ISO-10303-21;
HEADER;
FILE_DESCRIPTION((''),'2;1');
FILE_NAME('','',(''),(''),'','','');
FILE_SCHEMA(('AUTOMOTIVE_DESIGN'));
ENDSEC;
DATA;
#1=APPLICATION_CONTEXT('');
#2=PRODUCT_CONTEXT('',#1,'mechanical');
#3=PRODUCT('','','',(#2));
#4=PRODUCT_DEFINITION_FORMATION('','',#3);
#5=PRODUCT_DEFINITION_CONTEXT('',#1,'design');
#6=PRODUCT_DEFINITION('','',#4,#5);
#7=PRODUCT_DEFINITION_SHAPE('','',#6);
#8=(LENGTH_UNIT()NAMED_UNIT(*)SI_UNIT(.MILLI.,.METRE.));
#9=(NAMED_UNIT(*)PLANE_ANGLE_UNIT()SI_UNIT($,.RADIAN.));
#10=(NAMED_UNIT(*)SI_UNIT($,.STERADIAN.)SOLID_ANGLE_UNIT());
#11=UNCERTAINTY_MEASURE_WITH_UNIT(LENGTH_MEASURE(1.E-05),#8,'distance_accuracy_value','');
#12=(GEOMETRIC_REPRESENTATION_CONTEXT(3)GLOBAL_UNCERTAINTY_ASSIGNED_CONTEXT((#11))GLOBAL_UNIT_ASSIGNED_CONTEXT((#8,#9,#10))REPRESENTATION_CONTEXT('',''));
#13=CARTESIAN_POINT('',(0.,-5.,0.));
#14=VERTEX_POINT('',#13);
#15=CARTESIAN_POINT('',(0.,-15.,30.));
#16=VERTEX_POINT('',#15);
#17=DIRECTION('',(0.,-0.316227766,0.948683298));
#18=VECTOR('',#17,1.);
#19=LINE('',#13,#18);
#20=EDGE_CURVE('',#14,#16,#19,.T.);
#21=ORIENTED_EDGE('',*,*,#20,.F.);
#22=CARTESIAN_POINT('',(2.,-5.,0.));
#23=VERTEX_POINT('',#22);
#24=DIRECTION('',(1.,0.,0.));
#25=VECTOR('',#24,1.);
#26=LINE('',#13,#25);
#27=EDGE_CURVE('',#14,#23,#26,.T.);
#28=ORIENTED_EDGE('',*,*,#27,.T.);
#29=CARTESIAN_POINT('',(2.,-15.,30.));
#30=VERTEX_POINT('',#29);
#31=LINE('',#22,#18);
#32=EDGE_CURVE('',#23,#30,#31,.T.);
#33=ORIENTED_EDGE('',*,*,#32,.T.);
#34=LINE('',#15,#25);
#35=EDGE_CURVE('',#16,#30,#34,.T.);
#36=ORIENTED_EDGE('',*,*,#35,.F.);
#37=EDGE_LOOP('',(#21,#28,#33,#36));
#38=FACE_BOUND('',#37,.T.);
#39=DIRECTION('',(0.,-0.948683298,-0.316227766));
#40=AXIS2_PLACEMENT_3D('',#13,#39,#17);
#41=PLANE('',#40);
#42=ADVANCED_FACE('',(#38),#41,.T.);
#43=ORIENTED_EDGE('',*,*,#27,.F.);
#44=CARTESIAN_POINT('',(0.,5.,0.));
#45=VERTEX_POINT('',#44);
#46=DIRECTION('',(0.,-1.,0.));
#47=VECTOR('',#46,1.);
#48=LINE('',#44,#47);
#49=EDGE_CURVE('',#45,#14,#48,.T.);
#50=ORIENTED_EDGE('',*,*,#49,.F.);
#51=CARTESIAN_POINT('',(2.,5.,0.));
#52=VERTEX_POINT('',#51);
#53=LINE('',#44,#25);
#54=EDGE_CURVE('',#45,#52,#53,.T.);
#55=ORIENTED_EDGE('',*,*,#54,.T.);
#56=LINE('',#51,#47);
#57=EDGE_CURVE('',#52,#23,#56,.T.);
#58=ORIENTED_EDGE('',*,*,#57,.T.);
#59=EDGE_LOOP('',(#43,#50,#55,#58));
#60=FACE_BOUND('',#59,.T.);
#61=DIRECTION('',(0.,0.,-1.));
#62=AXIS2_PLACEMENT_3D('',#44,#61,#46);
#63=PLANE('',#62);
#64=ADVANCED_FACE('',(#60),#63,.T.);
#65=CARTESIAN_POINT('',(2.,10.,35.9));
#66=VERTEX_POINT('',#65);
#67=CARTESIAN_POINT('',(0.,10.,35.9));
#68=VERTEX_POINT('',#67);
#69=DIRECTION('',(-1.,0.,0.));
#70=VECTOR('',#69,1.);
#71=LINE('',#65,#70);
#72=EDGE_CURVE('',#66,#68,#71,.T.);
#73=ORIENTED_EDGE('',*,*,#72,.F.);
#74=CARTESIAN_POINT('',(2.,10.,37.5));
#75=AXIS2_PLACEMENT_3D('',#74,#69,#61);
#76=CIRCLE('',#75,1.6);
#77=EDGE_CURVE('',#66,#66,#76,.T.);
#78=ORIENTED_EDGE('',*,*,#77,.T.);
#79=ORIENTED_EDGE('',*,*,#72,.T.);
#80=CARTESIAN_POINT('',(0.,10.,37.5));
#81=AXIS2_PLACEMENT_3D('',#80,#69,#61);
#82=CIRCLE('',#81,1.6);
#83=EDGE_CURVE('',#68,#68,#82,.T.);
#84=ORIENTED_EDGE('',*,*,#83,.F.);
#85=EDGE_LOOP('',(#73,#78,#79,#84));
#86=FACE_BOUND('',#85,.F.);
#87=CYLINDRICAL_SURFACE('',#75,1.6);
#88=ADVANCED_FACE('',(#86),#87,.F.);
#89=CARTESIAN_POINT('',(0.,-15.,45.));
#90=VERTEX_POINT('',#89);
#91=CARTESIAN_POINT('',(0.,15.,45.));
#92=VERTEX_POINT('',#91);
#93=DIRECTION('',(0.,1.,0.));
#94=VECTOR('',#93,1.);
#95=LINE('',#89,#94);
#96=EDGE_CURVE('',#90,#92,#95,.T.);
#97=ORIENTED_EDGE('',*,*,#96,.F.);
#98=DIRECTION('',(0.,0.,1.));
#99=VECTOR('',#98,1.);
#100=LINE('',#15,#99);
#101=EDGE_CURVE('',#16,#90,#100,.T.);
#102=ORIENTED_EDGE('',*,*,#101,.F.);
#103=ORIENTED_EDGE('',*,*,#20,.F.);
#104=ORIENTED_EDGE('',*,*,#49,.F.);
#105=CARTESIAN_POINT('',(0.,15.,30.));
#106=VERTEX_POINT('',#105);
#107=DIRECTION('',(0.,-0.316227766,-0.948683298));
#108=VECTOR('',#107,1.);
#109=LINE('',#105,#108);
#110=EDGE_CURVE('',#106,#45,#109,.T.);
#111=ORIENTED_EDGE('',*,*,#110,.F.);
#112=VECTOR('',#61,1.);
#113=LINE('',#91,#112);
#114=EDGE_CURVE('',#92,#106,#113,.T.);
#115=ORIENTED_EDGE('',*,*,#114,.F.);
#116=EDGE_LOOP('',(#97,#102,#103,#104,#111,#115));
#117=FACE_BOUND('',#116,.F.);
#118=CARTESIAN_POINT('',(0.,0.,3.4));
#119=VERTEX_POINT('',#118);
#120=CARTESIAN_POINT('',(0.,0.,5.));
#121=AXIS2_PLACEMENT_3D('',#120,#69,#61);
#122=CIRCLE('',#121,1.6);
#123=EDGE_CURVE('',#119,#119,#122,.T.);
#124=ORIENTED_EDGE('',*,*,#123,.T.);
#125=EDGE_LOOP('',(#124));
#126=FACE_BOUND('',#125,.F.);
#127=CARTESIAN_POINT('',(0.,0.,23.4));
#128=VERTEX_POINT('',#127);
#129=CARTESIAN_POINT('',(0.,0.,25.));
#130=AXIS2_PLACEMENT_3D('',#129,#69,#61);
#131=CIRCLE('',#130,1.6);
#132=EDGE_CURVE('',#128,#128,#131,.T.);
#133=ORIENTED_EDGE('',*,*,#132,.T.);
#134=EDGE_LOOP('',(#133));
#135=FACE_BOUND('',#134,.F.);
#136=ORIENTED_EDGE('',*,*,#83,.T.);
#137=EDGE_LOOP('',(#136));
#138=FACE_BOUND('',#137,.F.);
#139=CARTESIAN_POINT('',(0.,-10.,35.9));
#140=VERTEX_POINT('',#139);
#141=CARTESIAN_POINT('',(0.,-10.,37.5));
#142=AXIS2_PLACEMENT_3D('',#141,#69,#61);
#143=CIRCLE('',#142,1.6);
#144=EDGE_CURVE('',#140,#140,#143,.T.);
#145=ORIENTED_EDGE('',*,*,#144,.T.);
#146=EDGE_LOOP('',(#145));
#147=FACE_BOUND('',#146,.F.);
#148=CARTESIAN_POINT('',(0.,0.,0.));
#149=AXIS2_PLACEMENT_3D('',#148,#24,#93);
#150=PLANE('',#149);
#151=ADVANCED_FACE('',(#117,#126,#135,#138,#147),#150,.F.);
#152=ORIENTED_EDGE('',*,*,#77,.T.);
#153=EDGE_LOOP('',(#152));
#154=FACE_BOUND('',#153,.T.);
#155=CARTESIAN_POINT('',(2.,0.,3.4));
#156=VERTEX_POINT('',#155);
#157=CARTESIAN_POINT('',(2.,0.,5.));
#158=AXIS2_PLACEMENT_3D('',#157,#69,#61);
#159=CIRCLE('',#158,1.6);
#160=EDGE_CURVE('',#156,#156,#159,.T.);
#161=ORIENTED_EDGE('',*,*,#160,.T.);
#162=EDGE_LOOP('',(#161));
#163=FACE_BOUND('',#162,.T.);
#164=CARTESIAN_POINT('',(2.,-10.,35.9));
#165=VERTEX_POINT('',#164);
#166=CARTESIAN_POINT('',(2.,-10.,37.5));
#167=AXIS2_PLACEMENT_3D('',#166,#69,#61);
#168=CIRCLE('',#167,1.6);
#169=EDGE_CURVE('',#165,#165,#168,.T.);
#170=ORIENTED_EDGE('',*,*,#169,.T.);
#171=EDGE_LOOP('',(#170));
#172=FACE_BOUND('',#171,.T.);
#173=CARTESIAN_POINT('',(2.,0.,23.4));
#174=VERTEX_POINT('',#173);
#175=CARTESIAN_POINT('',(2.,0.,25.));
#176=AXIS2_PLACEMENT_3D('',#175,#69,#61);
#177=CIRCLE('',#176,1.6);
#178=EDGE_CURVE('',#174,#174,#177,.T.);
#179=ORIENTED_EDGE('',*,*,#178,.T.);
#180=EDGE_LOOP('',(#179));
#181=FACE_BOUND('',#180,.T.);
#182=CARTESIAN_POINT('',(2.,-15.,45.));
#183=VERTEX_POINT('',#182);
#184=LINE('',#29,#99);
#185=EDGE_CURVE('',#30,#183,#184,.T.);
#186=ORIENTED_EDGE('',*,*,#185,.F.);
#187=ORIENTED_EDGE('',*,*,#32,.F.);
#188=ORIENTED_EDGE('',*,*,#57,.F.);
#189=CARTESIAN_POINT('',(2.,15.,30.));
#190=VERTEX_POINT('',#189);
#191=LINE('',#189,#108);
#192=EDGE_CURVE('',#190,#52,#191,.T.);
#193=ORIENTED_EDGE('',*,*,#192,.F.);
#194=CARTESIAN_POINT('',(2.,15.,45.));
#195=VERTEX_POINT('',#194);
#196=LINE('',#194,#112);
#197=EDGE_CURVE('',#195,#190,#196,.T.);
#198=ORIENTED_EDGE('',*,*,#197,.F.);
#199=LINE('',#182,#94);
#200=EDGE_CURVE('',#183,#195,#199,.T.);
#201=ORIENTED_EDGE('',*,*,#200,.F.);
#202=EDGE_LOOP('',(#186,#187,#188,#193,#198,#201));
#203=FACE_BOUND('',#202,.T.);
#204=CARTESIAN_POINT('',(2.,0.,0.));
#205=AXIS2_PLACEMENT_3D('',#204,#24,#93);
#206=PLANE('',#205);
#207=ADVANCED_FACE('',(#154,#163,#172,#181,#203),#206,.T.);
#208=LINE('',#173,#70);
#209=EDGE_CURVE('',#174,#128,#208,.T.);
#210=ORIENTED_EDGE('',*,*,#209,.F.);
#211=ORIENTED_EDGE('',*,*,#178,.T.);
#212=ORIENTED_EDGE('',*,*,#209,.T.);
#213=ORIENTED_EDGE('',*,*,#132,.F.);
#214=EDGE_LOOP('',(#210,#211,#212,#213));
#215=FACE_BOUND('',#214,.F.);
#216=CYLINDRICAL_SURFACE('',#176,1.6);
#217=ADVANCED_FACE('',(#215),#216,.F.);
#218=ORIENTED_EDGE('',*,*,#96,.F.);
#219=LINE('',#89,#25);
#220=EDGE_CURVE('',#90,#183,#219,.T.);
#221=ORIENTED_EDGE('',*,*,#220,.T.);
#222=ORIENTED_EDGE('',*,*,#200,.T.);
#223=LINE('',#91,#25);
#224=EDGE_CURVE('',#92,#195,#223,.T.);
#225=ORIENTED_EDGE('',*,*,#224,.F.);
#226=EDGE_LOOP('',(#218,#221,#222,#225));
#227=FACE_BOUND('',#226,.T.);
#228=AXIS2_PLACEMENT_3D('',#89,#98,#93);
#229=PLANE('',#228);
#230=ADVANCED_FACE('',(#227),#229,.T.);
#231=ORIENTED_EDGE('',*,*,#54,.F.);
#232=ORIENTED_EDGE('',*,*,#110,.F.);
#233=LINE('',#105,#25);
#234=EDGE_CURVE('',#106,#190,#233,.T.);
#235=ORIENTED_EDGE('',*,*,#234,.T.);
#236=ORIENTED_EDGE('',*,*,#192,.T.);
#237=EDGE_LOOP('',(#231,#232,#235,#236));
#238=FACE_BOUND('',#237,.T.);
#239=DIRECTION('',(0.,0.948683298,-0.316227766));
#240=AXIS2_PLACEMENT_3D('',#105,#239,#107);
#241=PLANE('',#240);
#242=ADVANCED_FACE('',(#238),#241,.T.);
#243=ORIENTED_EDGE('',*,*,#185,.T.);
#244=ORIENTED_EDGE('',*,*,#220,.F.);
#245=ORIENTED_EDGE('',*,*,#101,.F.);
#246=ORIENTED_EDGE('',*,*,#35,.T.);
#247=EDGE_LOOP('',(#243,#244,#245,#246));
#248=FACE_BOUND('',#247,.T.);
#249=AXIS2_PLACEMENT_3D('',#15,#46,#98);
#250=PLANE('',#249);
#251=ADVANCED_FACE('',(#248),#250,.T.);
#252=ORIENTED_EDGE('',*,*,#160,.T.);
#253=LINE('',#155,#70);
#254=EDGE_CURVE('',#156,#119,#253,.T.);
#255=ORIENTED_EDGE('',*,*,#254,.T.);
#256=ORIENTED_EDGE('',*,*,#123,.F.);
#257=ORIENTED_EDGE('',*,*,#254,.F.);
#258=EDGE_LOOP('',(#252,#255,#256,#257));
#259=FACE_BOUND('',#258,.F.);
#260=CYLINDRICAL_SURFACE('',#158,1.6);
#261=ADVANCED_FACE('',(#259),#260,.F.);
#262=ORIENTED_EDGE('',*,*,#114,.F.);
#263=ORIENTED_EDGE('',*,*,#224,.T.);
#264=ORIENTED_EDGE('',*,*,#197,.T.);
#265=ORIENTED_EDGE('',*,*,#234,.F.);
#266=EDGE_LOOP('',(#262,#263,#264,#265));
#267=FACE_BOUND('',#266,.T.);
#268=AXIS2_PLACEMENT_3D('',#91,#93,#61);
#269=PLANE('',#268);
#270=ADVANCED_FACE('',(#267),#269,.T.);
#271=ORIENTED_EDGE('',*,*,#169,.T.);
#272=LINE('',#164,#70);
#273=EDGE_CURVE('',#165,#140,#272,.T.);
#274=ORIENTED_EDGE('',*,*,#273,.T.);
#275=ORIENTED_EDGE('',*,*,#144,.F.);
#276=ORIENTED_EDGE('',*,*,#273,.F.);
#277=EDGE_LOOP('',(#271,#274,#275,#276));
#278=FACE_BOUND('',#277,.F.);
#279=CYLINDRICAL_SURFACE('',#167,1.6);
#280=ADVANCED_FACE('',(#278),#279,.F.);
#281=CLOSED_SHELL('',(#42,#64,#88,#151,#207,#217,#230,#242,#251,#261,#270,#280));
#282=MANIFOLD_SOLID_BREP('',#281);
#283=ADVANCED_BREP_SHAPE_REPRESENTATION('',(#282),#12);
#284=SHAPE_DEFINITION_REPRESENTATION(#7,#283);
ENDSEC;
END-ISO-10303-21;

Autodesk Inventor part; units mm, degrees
ref_plane "YZ Plane" through (0, 0, 0) normal (1, 0, 0) x (0, 1, 0)
ref_plane "XZ Plane" through (0, 0, 0) normal (0, 1, 0) x (-1, 0, 0)
ref_plane "XY Plane" through (0, 0, 0) normal (0, 0, 1) x (1, 0, 0)
sketch "スケッチ1" plane through (0, 0, 0) normal (1, 0, 0) x (0, 1, 0)
  line L0 (-5, 30) -> (5, 30)
  line L1 (5, 30) -> (5, 0)
  line L2 (5, 0) -> (-5, 0)
  line L3 (-5, 0) -> (-5, 30)
  line L4 (-15, 45) -> (15, 45)
  line L5 (15, 45) -> (15, 30)
  line L6 (15, 30) -> (-15, 30)
  line L7 (-15, 30) -> (-15, 45)
  line L8 (15, 30) -> (5, 0)
  line L9 (-5, 0) -> (-15, 30)
  point P0 (0, 0)
  point P1 (0, 0)
  point P2 (0, 30)
  dimension "d0" = 10
  dimension "d1" = 30
  dimension "d2" = 30
  dimension "d3" = 15
extrude "押し出し1" add sketch "スケッチ1" along normal blind 2
sketch "スケッチ2" plane through (2, 0, 0) normal (1, 0, 0) x (0, 0, -1)
  line L0 (0, -5) -> (0, 5) projected
  line L1 (-30, 15) -> (-45, 15) projected
  line L2 (-45, -15) -> (-30, -15) projected
  point P0 (0, 0)
  point P1 (-37.5, 10)
  point P2 (-37.5, -10)
  point P3 (-25, 0)
  point P4 (-5, 0)
  point P5 (0, 0)
  point P6 (-37.5, 15)
  dimension "d6" = 5
  dimension "d7" = 20
  dimension "d8" = 5
  dimension "d9" = 5
hole "穴1" at (2, 10, 37.5) at (2, -10, 37.5) at (2, 0, 25) at (2, 0, 5) direction (-1, 0, 0) diameter 3.2 end through all
properties part number "FrameJointT1510" material "アルミニウム 6061"
